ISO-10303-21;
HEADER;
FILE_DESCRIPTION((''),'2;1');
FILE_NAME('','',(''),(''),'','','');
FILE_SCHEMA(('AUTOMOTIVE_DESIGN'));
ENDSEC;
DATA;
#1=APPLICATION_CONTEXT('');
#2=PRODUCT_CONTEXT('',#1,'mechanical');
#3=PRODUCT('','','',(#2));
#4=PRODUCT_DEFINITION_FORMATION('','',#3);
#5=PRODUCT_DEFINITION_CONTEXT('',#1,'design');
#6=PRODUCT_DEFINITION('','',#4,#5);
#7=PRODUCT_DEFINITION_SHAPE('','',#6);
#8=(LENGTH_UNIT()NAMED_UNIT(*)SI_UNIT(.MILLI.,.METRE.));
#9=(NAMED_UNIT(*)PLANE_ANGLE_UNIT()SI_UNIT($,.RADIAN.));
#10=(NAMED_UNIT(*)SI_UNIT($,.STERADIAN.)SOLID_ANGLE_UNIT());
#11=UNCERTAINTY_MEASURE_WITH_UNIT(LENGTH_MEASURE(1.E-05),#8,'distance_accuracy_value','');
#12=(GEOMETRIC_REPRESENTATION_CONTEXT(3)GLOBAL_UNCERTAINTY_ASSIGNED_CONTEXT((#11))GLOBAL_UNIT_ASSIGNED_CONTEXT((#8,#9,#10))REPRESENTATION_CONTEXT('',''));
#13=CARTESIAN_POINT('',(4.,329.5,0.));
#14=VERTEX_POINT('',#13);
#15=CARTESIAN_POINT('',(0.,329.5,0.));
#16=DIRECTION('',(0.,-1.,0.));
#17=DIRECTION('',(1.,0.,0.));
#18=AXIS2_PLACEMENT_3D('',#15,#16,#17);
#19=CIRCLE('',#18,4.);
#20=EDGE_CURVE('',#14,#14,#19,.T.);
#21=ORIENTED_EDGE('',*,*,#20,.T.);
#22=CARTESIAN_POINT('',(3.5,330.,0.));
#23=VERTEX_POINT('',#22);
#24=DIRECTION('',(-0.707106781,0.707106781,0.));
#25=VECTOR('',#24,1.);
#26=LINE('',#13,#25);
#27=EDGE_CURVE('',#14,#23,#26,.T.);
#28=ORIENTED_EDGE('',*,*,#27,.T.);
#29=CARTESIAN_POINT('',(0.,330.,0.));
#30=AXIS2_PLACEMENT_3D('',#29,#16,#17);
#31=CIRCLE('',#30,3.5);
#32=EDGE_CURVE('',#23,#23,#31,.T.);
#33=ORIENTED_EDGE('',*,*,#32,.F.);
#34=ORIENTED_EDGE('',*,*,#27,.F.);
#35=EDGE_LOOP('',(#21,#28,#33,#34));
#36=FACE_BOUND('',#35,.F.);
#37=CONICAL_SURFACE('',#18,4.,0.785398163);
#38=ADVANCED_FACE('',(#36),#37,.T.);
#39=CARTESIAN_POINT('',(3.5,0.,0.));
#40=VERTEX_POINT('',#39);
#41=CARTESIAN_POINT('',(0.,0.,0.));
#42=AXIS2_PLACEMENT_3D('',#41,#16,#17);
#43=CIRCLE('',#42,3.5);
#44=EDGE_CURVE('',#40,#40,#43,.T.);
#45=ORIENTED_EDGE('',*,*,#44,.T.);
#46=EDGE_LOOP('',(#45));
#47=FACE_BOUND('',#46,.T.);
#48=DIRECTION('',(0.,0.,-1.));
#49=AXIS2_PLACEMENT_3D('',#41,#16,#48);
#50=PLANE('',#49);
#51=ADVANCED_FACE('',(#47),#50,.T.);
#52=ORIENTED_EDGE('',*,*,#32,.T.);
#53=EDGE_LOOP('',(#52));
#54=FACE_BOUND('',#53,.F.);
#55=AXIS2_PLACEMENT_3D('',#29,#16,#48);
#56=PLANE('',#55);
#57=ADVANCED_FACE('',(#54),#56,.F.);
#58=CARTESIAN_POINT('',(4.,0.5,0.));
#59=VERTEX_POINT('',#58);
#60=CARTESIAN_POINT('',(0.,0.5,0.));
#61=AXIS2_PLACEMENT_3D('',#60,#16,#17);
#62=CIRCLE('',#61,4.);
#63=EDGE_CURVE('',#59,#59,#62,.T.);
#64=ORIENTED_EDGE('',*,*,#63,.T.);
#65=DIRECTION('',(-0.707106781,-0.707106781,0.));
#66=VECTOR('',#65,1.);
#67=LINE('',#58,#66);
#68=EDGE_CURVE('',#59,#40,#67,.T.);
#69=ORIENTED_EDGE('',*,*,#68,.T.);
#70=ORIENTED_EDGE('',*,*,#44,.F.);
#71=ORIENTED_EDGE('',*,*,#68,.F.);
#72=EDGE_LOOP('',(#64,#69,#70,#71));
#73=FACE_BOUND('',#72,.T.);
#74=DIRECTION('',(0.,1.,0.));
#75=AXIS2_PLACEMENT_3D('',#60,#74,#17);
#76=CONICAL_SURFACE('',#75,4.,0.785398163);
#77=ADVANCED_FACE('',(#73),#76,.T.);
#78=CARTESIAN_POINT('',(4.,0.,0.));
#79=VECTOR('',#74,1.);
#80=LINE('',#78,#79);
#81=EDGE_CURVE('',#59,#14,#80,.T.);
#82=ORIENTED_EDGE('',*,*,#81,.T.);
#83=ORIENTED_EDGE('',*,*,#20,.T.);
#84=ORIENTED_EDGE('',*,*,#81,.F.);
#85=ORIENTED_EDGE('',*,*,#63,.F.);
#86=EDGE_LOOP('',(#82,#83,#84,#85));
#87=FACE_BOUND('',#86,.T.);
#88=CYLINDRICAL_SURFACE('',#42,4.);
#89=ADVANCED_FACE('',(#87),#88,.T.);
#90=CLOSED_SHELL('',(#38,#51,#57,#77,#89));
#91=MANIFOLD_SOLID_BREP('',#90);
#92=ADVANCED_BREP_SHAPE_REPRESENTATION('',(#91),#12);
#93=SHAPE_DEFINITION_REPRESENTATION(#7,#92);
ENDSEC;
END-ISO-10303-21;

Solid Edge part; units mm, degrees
sketch "Sketch1" plane through (0, 0, 0) normal (0, -1, 0) x (1, 0, 0)
  circle A0 centre (0, 0) radius 4
extrude "Protrusion1" add sketch "Sketch1" against normal blind 330
chamfer "Chamfer_1" distance 0.5 angle 45 2 edges at (-4, 0, 0) (-4, 330, 0)
properties material "Stainless steel"
